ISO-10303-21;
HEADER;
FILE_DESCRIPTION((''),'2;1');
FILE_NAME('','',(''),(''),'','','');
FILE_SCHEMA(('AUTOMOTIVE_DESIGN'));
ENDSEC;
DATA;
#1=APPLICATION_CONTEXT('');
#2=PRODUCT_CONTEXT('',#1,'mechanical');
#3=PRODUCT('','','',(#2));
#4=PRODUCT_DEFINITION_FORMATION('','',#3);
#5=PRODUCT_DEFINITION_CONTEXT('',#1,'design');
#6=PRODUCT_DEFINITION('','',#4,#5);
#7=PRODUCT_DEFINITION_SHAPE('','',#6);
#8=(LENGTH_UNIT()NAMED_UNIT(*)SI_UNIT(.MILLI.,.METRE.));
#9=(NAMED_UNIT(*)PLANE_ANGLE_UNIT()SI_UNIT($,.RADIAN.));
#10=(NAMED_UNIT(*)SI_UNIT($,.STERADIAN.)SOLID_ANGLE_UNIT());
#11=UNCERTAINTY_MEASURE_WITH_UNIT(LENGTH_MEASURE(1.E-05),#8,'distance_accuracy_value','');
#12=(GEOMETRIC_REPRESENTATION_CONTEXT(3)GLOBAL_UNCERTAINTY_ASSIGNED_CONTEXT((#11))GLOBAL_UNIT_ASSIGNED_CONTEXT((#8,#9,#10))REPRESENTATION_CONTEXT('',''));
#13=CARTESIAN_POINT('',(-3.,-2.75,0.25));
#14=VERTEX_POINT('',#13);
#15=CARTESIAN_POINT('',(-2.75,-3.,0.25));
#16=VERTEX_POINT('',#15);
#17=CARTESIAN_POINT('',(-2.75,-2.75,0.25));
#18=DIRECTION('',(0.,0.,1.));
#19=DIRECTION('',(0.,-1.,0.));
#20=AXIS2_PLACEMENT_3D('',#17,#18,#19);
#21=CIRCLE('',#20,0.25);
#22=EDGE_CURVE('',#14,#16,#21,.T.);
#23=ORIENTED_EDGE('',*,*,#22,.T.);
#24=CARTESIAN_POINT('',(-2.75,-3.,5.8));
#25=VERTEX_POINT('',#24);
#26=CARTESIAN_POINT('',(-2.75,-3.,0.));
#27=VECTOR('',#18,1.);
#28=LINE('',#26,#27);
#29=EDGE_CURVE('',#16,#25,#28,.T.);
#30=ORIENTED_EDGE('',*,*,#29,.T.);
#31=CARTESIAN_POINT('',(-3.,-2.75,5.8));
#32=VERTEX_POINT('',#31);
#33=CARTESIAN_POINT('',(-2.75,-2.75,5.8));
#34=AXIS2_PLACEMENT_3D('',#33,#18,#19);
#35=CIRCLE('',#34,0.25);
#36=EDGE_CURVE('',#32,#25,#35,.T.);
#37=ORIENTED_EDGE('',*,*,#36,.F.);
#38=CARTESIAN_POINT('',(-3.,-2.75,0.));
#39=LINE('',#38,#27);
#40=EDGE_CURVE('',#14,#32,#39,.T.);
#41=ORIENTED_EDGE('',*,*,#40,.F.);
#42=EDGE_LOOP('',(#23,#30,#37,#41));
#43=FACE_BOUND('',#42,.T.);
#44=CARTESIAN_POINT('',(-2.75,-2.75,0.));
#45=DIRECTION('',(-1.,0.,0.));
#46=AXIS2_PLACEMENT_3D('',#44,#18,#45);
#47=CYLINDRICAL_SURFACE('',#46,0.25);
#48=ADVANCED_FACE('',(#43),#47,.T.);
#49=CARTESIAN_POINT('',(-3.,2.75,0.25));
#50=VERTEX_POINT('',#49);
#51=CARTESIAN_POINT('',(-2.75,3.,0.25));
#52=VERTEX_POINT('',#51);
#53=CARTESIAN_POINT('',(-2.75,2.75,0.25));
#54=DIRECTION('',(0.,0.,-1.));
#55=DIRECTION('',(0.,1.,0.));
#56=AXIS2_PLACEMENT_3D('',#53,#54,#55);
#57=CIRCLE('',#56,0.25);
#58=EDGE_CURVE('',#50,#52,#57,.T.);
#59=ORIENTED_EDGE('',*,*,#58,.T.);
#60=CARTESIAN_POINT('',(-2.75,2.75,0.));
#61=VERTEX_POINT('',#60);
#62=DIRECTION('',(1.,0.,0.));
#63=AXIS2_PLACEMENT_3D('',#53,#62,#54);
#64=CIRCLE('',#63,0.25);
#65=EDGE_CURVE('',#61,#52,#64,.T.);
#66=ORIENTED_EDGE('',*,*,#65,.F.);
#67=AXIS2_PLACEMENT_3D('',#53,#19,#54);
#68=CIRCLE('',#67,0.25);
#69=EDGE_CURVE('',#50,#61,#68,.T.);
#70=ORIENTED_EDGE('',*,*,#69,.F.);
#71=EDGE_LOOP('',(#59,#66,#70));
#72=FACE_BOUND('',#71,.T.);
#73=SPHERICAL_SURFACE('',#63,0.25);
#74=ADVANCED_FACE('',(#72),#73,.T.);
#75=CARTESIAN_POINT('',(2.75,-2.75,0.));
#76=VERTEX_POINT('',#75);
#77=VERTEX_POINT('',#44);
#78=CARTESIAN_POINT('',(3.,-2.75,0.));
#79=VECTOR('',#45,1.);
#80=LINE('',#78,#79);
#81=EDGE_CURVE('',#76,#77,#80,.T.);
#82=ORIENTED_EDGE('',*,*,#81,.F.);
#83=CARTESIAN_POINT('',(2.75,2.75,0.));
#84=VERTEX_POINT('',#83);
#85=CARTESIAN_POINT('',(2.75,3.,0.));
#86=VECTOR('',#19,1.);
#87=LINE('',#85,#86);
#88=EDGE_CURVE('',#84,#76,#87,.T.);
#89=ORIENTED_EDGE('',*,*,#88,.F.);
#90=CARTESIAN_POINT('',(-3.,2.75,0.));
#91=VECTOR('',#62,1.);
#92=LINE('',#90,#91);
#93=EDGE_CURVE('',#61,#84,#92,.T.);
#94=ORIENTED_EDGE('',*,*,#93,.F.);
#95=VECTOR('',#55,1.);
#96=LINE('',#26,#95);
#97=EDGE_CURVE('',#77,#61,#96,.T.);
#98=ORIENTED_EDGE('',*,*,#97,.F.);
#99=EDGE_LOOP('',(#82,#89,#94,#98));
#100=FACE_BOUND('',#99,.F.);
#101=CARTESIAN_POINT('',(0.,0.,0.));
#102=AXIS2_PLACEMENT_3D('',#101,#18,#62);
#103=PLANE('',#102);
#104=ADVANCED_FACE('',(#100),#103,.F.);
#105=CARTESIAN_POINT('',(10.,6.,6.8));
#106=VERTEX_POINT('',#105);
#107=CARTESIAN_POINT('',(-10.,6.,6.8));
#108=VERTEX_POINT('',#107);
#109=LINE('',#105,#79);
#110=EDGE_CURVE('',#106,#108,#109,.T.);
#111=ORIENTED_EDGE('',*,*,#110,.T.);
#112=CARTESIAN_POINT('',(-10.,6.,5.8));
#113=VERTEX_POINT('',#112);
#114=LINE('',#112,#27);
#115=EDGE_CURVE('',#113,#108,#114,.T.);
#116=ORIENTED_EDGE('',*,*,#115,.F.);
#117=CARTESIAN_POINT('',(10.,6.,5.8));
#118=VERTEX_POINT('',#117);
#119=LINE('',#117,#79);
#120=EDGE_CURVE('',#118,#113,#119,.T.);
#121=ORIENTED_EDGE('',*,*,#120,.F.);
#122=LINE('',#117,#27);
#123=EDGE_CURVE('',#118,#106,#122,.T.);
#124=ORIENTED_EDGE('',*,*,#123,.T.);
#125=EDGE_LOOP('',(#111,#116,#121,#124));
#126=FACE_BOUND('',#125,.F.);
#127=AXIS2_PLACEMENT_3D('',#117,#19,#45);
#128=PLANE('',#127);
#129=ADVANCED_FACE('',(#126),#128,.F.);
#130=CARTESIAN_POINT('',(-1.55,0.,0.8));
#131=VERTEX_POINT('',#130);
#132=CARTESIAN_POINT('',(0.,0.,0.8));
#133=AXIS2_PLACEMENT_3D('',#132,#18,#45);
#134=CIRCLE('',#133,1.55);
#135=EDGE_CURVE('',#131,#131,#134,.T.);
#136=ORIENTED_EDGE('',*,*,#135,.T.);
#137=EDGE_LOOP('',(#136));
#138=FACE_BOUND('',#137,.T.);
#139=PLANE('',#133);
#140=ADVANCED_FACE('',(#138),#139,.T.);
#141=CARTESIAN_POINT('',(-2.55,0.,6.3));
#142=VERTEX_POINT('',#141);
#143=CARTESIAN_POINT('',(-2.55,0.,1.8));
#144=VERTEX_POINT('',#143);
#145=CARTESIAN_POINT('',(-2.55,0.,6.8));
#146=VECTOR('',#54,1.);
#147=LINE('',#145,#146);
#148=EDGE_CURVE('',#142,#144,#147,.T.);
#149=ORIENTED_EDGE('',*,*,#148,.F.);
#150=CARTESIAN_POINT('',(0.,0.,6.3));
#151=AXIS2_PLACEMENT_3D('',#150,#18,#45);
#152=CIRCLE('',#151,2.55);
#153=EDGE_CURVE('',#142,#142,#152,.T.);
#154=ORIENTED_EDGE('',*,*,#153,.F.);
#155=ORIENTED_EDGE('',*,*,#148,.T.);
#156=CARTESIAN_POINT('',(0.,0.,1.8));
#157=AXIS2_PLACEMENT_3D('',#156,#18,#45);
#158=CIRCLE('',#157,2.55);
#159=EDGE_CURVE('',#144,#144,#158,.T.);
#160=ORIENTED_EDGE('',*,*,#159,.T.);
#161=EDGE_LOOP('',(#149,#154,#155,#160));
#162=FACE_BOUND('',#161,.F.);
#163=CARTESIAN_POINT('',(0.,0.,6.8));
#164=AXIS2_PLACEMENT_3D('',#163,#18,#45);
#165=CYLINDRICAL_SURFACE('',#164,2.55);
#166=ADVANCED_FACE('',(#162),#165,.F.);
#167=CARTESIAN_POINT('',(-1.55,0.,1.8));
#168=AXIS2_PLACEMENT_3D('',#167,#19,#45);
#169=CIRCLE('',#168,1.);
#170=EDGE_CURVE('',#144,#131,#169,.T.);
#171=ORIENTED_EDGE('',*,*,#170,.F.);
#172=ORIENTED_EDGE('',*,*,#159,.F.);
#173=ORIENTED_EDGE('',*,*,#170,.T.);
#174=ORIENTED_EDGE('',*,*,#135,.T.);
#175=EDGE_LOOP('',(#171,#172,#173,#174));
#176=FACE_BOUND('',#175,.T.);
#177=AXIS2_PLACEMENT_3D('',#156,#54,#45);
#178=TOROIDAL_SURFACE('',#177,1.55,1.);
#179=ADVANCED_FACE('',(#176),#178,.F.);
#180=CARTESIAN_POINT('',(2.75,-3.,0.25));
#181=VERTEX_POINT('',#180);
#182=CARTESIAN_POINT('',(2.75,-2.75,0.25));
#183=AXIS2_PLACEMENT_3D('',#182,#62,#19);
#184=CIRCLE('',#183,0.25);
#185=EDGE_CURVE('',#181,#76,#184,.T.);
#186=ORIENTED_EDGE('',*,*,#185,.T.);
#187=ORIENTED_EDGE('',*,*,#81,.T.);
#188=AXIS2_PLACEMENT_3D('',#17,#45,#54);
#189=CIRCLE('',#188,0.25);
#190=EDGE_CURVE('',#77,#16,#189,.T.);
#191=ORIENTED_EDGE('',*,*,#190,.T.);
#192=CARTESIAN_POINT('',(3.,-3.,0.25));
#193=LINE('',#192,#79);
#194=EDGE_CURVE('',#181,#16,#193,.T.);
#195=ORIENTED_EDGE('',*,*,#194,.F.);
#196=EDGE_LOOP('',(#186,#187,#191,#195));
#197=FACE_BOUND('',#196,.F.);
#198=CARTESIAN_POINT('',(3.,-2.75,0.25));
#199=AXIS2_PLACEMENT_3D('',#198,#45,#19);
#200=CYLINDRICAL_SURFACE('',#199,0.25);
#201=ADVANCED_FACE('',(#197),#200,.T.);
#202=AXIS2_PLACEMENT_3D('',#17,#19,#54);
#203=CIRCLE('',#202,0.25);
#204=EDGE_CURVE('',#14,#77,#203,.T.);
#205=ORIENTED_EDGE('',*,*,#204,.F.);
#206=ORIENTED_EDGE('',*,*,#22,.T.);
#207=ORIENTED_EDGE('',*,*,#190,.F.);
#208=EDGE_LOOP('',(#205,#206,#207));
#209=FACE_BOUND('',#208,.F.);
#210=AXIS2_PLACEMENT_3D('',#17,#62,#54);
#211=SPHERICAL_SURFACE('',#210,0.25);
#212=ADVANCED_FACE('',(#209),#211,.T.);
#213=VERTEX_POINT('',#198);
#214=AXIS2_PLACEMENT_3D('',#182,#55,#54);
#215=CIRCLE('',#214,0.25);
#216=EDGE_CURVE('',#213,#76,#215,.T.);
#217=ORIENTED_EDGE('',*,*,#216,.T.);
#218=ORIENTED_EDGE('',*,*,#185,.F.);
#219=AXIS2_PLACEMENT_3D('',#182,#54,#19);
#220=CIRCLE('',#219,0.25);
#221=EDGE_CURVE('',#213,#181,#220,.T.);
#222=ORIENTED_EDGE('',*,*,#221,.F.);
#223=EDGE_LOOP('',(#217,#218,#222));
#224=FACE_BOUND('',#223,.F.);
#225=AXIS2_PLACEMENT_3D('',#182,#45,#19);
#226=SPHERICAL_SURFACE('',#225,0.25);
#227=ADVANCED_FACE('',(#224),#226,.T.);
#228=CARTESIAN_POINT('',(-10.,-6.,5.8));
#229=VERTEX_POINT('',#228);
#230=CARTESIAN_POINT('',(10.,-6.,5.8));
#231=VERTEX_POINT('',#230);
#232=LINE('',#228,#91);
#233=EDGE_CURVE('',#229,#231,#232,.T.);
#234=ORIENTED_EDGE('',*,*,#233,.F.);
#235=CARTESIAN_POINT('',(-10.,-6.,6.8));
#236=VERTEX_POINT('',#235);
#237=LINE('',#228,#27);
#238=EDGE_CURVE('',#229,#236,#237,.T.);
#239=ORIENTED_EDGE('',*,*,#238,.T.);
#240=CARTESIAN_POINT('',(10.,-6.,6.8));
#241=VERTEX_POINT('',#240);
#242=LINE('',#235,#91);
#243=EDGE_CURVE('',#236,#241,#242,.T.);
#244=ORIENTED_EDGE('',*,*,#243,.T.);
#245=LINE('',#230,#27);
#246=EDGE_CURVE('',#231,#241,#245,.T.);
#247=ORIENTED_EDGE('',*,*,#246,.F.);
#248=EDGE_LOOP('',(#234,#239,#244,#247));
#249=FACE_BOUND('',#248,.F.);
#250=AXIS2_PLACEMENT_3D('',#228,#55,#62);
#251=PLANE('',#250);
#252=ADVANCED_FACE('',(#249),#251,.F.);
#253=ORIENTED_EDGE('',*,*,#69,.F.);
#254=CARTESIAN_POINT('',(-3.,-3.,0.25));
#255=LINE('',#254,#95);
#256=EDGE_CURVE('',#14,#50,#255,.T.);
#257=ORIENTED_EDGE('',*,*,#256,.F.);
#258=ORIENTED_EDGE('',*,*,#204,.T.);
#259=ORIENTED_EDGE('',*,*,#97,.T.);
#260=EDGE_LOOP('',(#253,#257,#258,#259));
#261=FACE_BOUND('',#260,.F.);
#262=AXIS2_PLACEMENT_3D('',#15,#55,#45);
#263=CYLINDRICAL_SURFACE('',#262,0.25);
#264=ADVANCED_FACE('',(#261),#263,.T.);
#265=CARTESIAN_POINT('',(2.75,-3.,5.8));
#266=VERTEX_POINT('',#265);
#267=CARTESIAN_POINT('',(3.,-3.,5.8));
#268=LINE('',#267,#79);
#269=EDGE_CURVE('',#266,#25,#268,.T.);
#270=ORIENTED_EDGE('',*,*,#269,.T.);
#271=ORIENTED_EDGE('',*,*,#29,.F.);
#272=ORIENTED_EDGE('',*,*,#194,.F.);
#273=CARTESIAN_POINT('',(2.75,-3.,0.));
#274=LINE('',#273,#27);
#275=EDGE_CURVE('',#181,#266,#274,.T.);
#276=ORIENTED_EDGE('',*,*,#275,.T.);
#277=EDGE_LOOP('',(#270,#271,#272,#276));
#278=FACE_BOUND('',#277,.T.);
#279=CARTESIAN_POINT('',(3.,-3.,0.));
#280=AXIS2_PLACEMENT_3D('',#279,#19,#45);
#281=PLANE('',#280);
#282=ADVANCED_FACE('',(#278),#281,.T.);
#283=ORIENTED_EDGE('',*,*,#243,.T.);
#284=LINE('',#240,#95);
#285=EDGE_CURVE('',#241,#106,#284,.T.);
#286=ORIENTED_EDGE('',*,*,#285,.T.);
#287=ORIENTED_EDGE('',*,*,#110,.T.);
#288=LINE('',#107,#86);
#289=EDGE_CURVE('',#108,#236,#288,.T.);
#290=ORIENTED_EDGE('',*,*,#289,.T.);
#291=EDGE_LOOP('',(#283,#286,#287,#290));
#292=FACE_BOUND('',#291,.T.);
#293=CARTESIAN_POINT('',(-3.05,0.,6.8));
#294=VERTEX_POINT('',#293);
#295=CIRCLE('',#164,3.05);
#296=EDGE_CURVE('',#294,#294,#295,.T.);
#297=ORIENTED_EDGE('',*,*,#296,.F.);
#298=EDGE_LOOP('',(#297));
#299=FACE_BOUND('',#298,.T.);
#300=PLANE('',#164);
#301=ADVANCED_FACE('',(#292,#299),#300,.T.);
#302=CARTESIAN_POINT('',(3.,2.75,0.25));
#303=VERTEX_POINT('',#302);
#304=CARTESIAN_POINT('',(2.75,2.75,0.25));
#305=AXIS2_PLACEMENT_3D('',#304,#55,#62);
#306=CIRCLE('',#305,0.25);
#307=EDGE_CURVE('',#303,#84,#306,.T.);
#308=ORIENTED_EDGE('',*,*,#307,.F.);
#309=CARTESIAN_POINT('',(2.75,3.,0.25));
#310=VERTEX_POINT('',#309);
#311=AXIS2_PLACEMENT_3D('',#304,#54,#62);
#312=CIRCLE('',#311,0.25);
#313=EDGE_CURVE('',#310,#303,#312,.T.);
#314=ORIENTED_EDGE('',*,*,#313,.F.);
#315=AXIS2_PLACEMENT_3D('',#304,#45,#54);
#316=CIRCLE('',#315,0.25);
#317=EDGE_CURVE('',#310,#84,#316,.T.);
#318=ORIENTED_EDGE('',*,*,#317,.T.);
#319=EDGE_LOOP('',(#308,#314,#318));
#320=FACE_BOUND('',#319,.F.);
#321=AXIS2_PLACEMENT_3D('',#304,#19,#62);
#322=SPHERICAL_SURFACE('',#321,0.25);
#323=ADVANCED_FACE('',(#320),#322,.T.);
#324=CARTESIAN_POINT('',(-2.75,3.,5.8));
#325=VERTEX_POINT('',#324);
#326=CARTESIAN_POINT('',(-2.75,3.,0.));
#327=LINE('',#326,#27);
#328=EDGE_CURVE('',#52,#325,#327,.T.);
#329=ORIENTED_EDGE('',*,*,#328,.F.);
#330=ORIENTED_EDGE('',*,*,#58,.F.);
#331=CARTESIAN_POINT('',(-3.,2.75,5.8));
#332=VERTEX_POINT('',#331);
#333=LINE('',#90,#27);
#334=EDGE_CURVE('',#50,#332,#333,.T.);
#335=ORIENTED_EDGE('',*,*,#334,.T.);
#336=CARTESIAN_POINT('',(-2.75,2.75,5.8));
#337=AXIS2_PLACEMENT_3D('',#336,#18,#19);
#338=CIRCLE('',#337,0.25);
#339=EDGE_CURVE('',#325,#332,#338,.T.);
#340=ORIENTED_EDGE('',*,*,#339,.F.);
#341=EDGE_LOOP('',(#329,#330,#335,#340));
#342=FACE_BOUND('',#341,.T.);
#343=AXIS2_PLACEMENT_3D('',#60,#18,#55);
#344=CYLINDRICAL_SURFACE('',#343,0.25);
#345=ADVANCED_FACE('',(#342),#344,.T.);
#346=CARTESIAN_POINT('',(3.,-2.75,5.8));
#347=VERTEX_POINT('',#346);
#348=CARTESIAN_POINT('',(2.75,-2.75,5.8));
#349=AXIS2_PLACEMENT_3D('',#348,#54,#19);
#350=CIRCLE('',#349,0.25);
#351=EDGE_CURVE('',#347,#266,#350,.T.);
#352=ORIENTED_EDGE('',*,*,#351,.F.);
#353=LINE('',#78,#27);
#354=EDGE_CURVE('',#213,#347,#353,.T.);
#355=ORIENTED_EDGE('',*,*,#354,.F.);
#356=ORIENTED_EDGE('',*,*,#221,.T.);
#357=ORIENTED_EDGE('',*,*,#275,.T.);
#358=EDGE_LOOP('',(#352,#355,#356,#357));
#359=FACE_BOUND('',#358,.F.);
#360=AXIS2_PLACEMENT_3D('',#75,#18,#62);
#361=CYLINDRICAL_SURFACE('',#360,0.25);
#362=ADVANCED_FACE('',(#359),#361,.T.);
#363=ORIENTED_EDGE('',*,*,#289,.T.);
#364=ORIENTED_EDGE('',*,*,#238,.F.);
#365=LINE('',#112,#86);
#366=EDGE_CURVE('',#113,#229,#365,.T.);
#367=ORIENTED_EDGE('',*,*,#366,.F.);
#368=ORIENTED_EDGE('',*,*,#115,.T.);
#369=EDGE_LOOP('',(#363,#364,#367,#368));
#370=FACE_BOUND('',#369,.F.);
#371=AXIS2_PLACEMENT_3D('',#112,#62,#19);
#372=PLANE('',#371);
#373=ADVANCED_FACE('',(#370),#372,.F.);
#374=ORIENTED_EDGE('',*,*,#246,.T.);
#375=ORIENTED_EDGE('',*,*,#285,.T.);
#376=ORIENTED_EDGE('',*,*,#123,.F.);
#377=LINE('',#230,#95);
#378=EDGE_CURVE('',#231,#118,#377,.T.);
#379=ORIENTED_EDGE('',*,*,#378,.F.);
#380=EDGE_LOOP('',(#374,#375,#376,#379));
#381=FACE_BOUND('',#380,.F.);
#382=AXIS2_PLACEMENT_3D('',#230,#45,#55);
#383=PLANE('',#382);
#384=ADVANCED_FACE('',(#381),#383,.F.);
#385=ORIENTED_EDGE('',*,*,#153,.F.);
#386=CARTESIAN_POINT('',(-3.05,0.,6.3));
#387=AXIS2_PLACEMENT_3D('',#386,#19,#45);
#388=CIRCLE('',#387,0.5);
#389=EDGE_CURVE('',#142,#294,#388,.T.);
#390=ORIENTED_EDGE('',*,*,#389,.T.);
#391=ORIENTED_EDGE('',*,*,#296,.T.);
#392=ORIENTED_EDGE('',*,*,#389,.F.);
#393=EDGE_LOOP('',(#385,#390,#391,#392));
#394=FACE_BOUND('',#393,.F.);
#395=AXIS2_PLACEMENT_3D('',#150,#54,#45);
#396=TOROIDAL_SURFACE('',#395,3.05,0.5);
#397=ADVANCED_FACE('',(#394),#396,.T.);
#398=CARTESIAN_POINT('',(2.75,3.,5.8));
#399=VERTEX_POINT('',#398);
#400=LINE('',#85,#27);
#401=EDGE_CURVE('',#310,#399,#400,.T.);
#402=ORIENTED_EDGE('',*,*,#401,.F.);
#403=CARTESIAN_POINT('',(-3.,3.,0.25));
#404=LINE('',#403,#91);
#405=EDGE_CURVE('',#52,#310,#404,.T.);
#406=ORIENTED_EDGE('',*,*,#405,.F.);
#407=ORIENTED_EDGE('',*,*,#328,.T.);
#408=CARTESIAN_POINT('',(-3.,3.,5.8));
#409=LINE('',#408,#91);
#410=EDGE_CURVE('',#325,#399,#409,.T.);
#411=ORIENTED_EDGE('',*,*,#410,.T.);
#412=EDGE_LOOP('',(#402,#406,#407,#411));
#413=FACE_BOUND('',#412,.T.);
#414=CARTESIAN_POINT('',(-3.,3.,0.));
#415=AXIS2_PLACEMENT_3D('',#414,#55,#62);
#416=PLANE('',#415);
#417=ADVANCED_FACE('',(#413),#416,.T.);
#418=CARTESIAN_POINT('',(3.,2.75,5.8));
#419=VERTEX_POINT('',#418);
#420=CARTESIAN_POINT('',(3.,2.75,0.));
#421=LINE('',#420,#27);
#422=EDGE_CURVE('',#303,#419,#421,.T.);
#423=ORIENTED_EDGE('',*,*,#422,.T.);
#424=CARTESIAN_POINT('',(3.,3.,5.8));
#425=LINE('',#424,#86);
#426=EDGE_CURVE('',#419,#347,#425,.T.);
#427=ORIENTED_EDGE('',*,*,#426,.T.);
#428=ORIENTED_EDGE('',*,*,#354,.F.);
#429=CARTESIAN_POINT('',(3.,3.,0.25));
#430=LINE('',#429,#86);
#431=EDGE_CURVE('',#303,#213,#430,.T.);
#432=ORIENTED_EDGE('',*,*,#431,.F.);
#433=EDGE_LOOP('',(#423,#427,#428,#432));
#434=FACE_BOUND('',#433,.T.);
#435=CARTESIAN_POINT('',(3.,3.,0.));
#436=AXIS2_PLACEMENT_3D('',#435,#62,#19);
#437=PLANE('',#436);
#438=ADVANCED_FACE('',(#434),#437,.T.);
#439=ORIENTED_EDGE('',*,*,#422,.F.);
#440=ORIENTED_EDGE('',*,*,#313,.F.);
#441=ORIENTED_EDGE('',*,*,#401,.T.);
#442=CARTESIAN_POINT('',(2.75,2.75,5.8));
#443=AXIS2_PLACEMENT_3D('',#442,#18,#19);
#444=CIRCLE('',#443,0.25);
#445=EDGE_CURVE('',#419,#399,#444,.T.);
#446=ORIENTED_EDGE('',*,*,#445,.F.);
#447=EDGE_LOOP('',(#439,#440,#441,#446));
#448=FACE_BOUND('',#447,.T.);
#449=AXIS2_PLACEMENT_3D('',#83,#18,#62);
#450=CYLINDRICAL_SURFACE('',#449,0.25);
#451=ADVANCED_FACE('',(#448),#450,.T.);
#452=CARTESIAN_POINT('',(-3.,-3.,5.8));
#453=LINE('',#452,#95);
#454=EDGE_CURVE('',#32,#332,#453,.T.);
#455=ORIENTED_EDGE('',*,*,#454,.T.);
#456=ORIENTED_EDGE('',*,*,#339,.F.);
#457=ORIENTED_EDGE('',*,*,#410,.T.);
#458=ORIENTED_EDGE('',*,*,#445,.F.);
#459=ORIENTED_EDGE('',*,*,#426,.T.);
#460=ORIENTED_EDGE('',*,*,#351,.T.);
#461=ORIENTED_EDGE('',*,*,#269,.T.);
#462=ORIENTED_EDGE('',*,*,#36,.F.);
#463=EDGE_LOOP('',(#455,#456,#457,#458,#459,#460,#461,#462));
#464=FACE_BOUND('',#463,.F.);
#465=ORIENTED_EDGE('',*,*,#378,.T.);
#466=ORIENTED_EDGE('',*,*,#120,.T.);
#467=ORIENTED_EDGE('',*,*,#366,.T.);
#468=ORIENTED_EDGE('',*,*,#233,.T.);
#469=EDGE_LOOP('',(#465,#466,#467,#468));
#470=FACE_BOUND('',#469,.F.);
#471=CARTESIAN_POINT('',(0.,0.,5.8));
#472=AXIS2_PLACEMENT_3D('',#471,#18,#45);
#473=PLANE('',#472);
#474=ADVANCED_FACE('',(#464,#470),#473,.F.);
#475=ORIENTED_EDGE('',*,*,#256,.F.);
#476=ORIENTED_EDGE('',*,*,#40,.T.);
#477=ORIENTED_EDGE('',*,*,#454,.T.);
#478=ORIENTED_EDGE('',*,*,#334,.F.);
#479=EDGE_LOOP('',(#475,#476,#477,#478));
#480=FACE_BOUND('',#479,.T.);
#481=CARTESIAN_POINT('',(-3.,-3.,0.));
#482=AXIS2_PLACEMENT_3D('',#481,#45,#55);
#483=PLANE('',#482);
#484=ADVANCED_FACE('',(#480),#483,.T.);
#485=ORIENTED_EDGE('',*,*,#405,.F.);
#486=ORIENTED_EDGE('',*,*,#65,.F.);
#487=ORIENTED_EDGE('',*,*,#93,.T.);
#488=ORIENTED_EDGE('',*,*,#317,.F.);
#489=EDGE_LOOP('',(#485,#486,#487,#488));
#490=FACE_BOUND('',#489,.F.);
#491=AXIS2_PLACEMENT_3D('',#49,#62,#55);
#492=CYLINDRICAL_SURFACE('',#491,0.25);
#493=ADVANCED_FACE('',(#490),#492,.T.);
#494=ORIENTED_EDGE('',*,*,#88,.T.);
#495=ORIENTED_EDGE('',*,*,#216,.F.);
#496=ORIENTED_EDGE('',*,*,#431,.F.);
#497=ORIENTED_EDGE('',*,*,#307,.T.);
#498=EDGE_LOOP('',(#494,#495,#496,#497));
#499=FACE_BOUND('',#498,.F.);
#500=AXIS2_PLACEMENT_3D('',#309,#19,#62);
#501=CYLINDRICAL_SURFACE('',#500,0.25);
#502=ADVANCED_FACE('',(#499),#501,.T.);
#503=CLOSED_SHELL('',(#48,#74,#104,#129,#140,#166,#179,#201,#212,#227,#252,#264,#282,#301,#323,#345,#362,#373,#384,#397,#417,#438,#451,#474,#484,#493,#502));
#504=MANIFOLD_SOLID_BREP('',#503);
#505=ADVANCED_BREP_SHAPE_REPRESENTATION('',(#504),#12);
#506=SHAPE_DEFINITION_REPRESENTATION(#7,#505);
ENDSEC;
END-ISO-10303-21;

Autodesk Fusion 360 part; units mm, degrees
sketch "Sketch2" plane through (0, 0, 0) normal (0, 0, 1) x (1, 0, 0)
  line L0 (3, -3) -> (-3, -3)
  line L1 (-3, -3) -> (-3, 3)
  line L2 (-3, 3) -> (3, 3)
  line L3 (3, 3) -> (3, -3)
  line L4 (3, -3) -> (-3, 3) construction
  line L5 (-3, -3) -> (3, 3) construction
  dimension "d1" = 6
  dimension "d2" = 6
extrude "Extrude1" add sketch "Sketch2" along normal blind 5.8
sketch "Sketch3" plane through (0, 0, 5.8) normal (0, 0, 1) x (-1, 0, 0)
  line L0 (-3, -3) -> (3, -3)
  line L1 (3, -3) -> (3, 3)
  line L2 (3, 3) -> (-3, 3)
  line L3 (-3, 3) -> (-3, -3)
  line L4 (10, 6) -> (-10, 6)
  line L5 (-10, 6) -> (-10, -6)
  line L6 (-10, -6) -> (10, -6)
  line L7 (10, -6) -> (10, 6)
  dimension "d17" = 20
  dimension "d18" = 10
  dimension "d19" = 12
  dimension "d20" = 6
extrude "Extrude2" add sketch "Sketch3" along normal blind 1 contours L0 L1 L2 L3 | L4 L5 L6 L7
fillet "Fillet1" radius 0.25 8 edges at (0, -3, 0) (3, -3, 2.9) (3, 0, 0) (3, 3, 2.9) (0, 3, 0) (-3, 0, 0) (-3, -3, 2.9) (-3, 3, 2.9)
sketch "Sketch4" plane through (0, 0, 6.8) normal (0, 0, 1) x (-1, 0, 0)
  line L0 (10, -6) -> (10, 6)
  line L1 (10, 6) -> (-10, 6)
  line L2 (-10, 6) -> (-10, -6)
  line L3 (-10, -6) -> (10, -6)
  circle A0 centre (0, 0) radius 2.55
  dimension "d10" = 5.1
extrude "Extrude3" cut sketch "Sketch4" against normal blind 6 contours A0
fillet "Fillet2" radius 1 1 edges at (2.3774, -0.9221, 0.8)
fillet "Fillet3" radius 0.5 1 edges at (2.3774, -0.9221, 6.8)
equation "d2 = d1"
equation "d18 = d17 / 2"
equation "d20 = d19 / 2"
